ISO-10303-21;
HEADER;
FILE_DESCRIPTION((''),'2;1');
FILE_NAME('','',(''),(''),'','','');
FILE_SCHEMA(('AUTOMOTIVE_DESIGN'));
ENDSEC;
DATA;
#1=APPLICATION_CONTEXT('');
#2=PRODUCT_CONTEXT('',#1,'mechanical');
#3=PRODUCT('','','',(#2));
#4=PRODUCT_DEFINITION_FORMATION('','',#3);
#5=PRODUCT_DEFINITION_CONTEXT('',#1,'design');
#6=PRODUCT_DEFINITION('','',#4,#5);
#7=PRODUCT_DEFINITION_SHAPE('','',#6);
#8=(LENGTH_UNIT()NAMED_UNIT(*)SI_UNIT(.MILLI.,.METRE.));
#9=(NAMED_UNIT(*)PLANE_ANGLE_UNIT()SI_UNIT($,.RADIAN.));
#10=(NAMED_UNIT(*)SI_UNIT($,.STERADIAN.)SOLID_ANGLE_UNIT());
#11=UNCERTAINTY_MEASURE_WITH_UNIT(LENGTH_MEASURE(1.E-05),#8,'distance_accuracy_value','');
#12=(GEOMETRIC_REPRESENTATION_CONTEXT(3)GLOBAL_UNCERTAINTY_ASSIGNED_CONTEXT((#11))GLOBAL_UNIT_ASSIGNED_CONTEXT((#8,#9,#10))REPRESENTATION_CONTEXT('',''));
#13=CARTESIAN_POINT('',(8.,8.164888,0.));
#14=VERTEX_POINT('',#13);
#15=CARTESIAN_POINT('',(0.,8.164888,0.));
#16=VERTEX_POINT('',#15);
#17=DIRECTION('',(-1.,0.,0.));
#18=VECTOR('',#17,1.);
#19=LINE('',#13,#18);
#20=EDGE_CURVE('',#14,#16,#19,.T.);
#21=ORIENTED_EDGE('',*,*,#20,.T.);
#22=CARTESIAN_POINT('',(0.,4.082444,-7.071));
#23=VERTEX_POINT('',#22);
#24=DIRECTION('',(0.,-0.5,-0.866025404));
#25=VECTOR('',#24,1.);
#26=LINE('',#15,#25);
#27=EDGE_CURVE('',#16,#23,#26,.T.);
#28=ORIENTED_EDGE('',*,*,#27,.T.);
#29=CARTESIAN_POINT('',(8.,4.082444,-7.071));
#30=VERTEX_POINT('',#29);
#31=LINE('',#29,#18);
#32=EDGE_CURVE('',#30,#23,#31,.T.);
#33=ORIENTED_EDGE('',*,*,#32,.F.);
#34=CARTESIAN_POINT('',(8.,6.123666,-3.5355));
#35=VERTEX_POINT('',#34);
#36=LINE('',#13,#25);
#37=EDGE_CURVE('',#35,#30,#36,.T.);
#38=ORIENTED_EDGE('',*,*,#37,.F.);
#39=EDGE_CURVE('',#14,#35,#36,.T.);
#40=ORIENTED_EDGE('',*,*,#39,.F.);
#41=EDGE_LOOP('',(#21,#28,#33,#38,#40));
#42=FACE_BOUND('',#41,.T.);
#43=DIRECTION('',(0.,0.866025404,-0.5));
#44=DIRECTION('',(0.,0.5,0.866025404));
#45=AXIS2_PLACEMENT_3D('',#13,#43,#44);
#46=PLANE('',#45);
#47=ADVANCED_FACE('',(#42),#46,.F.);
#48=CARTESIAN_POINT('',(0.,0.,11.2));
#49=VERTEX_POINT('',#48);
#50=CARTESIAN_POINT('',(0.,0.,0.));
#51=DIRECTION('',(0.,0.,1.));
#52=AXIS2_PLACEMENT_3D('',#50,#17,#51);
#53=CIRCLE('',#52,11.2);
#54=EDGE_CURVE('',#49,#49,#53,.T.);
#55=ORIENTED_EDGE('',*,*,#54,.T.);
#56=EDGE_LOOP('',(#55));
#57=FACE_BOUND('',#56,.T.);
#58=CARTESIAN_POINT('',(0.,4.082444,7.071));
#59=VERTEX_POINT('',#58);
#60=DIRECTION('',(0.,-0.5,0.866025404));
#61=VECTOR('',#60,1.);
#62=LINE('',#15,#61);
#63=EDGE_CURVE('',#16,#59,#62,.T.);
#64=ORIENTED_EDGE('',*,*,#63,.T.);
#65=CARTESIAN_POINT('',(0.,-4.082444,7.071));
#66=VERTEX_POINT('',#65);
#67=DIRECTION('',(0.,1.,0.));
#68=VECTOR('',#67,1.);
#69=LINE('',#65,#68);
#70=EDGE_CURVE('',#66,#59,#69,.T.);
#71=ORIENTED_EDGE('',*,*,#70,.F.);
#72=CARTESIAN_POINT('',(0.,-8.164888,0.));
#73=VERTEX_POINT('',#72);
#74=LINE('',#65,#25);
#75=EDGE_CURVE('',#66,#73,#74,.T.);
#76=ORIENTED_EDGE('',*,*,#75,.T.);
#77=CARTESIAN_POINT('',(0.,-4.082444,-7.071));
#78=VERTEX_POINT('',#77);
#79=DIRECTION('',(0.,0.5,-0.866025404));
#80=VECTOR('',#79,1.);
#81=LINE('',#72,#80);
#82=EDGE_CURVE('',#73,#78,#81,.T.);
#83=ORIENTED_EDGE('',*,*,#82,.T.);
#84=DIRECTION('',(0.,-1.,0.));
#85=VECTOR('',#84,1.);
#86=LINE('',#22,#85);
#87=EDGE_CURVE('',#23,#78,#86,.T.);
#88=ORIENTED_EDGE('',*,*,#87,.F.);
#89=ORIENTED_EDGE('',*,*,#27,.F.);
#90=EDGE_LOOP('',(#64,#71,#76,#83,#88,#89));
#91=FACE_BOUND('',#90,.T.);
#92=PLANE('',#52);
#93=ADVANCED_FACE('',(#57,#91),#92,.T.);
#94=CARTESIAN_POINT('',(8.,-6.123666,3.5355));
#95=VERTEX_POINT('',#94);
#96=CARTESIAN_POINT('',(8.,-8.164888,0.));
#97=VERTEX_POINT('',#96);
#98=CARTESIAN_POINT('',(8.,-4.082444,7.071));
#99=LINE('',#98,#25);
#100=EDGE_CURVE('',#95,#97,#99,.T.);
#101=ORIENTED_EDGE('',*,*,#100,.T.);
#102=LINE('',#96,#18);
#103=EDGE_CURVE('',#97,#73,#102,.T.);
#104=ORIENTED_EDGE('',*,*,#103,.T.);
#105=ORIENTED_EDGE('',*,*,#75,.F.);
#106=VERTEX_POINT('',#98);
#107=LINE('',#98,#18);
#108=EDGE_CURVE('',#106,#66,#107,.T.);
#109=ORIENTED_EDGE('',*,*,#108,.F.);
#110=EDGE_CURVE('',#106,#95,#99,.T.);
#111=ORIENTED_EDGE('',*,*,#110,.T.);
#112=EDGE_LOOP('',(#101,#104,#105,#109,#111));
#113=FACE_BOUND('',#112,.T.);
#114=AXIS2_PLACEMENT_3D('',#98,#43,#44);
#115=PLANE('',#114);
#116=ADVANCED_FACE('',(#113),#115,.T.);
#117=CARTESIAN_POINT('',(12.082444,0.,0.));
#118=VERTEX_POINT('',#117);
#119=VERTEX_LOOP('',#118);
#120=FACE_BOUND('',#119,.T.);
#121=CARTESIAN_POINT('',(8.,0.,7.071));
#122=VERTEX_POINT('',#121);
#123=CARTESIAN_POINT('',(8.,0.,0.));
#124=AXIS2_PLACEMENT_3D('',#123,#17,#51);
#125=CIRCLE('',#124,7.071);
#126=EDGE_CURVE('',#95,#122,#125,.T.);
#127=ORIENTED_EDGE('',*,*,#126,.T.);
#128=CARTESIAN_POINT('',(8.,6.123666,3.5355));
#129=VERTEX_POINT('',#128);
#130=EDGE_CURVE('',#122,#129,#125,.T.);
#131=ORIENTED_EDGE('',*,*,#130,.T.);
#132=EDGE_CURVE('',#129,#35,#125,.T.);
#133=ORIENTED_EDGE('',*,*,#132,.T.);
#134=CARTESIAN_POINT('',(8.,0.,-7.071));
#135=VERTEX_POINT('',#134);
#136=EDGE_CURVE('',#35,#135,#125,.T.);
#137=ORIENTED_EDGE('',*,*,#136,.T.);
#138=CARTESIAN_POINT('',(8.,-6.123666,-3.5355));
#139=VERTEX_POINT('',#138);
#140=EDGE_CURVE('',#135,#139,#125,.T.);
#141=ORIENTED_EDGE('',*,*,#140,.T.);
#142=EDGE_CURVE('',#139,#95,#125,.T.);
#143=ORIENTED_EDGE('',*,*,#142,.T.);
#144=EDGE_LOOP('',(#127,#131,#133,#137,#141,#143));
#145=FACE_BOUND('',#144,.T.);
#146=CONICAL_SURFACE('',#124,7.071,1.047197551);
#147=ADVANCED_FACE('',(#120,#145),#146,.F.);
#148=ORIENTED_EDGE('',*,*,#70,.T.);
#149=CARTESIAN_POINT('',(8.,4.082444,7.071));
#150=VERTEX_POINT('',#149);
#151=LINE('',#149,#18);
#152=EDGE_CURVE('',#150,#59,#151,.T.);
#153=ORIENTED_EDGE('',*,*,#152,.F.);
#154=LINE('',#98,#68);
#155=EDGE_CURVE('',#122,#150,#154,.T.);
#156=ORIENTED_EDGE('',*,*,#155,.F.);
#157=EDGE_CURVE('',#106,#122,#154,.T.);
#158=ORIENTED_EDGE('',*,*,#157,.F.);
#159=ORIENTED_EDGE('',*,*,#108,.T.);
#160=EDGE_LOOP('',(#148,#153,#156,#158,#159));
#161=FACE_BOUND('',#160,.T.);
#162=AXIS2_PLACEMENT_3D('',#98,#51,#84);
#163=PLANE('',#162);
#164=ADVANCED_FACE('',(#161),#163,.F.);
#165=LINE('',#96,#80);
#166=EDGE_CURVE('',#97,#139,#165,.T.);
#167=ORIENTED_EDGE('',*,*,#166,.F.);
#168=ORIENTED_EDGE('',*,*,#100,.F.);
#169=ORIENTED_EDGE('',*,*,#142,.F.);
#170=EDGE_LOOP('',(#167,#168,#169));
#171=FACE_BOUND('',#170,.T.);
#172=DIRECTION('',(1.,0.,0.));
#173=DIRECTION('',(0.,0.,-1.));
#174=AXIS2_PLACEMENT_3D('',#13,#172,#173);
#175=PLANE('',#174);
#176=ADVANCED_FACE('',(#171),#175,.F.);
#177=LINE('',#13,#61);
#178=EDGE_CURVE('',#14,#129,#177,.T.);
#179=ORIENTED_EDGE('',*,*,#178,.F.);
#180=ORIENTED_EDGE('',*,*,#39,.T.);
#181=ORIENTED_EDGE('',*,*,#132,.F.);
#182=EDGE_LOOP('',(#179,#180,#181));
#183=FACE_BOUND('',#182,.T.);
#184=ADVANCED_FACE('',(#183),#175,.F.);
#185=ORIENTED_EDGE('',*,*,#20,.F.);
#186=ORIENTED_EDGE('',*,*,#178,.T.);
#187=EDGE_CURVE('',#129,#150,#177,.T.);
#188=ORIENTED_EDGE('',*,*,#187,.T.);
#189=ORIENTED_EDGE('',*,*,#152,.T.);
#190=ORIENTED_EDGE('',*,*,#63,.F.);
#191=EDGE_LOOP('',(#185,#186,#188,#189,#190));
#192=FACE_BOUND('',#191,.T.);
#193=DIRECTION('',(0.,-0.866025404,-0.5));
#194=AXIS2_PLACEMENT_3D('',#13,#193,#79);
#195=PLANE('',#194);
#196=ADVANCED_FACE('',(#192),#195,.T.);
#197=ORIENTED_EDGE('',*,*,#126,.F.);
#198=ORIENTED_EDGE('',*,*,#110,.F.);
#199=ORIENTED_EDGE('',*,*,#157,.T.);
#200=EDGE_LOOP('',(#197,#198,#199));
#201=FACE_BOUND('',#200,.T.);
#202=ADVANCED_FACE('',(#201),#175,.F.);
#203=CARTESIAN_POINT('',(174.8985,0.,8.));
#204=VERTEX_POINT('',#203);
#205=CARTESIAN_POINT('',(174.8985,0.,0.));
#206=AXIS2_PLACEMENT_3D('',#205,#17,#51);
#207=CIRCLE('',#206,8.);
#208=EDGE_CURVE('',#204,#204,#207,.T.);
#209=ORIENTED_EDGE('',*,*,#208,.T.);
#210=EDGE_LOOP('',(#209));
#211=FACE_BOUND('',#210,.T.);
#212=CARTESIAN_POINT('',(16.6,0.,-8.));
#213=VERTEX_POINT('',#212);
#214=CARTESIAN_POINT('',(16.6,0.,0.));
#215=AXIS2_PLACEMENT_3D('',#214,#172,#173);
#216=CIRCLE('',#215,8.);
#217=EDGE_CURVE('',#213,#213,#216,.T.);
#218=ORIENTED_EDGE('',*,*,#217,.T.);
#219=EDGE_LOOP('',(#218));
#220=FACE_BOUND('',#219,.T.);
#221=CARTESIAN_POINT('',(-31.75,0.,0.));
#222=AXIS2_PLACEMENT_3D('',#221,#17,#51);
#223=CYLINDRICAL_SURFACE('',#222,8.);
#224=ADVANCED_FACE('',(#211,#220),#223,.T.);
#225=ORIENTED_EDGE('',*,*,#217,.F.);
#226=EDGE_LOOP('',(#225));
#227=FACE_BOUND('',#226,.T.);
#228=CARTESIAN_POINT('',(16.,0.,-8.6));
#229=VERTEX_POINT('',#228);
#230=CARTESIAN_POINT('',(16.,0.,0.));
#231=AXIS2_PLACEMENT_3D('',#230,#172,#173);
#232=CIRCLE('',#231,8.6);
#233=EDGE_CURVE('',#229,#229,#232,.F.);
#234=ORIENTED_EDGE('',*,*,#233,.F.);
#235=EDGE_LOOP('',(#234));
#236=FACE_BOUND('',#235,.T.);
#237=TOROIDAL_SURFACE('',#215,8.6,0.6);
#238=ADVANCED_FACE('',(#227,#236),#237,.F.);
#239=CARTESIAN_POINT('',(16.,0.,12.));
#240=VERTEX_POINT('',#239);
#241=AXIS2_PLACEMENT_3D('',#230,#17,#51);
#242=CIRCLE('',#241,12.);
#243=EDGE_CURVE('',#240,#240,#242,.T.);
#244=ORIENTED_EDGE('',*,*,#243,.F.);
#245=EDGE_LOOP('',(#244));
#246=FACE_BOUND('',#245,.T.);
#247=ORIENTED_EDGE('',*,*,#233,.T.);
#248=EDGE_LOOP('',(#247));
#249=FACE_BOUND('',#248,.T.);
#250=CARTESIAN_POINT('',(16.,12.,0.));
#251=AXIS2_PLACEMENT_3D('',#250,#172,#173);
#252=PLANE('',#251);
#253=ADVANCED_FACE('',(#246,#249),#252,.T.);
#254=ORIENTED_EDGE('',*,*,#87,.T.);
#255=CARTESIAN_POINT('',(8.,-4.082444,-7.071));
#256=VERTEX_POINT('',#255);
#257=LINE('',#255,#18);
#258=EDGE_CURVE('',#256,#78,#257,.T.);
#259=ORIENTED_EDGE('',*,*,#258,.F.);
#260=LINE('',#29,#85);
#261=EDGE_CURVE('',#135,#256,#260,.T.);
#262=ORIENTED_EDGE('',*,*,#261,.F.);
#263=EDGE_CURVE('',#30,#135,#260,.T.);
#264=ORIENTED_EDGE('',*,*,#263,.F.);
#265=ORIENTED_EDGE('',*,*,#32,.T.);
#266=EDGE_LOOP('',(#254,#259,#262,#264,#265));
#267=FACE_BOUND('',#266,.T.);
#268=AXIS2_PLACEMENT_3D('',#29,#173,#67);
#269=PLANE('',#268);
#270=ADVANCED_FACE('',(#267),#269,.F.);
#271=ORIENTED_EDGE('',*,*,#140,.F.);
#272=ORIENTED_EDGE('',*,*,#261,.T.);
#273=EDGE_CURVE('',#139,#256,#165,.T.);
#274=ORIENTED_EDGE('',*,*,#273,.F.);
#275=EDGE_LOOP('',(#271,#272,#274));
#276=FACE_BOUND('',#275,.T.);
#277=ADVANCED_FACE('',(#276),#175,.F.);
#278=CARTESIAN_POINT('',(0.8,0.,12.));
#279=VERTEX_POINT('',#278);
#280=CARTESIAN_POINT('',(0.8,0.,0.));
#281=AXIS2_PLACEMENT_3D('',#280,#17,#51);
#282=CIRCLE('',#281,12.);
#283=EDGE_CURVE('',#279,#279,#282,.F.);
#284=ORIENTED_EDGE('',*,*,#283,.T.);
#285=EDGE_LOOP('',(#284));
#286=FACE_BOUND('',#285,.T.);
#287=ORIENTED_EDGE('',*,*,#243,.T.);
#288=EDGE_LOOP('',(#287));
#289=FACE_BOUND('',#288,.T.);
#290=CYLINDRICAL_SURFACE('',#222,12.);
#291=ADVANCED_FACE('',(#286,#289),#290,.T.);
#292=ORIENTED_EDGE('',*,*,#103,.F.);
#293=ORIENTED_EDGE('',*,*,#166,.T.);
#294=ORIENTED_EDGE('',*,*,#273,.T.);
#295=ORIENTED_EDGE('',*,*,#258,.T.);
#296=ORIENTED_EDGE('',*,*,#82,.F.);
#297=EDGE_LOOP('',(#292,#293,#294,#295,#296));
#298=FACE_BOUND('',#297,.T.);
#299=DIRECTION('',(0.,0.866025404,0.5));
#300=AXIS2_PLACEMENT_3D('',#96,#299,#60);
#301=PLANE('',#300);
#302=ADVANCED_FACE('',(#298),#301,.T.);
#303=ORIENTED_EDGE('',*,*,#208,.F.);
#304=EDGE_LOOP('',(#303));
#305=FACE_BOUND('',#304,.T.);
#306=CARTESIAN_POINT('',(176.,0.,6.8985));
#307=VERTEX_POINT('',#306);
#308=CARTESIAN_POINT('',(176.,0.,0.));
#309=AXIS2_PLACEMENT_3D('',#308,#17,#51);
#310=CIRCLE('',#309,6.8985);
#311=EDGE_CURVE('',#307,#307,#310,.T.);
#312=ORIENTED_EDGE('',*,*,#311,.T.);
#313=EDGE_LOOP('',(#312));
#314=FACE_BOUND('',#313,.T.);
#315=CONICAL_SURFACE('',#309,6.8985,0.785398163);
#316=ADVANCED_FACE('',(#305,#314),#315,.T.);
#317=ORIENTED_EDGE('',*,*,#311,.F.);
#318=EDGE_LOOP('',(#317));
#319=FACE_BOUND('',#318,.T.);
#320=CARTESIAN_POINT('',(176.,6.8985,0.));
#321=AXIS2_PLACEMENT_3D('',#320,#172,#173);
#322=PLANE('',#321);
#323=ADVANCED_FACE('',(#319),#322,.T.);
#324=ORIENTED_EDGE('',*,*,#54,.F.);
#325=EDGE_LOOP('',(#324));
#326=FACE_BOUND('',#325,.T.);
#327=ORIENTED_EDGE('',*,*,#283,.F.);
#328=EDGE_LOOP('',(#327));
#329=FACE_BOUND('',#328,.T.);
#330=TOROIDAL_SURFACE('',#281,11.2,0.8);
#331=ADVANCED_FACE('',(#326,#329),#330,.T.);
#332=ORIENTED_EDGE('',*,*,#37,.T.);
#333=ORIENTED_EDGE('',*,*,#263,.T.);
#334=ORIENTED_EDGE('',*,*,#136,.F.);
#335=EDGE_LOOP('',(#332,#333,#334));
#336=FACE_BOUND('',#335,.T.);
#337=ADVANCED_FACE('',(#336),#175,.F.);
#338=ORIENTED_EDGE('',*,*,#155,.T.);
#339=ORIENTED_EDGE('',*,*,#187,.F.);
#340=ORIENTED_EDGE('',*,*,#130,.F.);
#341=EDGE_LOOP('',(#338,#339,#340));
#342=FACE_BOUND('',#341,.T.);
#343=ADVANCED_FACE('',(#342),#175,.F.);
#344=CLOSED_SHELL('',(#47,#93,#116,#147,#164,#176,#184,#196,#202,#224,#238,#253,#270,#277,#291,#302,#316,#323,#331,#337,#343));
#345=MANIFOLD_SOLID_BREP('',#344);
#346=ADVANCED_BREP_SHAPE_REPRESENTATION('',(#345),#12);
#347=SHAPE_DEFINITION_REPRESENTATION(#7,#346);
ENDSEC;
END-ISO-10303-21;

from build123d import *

# Parameters (mm, degrees)
FILLET1_R   = 0.6
FILLET2_R   = 0.8
HEX_2_DEPTH = 8


with BuildPart() as part:
    # BodySke → Base-Revolve (revolve)
    with BuildSketch(Plane.XY, mode=Mode.PRIVATE) as base_revolve_sk:
        Polygon((0, 0), (0, 12), (16, 12), (16, 8), (174.8985, 8), (176, 6.8985), (176, 0), align=None)
    revolve(base_revolve_sk.sketch.rotate(Axis((-31.75, 0, 0), (1, 0, 0)), 90), axis=Axis((-31.75, 0, 0), (1, 0, 0)))

    # Fillet1
    fillet1_edges = [part.edges().sort_by_distance(p)[0] for p in [
        (16, 0, -8),
    ]]
    fillet(fillet1_edges, radius=FILLET1_R)

    # Fillet2
    fillet2_edges = [part.edges().sort_by_distance(p)[0] for p in [
        (0, 0, -12),
    ]]
    fillet(fillet2_edges, radius=FILLET2_R)

    # Sketch2 → Hex-PreBroach (revolve, cut)
    with BuildSketch(Plane.XY, mode=Mode.PRIVATE) as hex_prebroach_sk:
        Polygon((0, 7.071), (8, 7.071), (12.082443753, 0), (0, 0), align=None)
    revolve(hex_prebroach_sk.sketch.rotate(Axis((0, 0, 0), (1, 0, 0)), 90), axis=Axis((0, 0, 0), (1, 0, 0)), mode=Mode.SUBTRACT)

    # Sketch3 → Hex 2 (cut)
    with BuildSketch(Plane(origin=(0, 0, 0), x_dir=(0, 0.500000000000001, 0.866025403784438), z_dir=(-1, 0, 0))):
        Polygon((4.082443753, 7.071), (-4.082443753, 7.071), (-8.164887507, 0), (-4.082443753, -7.071), (4.082443753, -7.071), (8.164887507, 0), align=None)
    extrude(amount=-HEX_2_DEPTH, mode=Mode.SUBTRACT)


solid = part.part
